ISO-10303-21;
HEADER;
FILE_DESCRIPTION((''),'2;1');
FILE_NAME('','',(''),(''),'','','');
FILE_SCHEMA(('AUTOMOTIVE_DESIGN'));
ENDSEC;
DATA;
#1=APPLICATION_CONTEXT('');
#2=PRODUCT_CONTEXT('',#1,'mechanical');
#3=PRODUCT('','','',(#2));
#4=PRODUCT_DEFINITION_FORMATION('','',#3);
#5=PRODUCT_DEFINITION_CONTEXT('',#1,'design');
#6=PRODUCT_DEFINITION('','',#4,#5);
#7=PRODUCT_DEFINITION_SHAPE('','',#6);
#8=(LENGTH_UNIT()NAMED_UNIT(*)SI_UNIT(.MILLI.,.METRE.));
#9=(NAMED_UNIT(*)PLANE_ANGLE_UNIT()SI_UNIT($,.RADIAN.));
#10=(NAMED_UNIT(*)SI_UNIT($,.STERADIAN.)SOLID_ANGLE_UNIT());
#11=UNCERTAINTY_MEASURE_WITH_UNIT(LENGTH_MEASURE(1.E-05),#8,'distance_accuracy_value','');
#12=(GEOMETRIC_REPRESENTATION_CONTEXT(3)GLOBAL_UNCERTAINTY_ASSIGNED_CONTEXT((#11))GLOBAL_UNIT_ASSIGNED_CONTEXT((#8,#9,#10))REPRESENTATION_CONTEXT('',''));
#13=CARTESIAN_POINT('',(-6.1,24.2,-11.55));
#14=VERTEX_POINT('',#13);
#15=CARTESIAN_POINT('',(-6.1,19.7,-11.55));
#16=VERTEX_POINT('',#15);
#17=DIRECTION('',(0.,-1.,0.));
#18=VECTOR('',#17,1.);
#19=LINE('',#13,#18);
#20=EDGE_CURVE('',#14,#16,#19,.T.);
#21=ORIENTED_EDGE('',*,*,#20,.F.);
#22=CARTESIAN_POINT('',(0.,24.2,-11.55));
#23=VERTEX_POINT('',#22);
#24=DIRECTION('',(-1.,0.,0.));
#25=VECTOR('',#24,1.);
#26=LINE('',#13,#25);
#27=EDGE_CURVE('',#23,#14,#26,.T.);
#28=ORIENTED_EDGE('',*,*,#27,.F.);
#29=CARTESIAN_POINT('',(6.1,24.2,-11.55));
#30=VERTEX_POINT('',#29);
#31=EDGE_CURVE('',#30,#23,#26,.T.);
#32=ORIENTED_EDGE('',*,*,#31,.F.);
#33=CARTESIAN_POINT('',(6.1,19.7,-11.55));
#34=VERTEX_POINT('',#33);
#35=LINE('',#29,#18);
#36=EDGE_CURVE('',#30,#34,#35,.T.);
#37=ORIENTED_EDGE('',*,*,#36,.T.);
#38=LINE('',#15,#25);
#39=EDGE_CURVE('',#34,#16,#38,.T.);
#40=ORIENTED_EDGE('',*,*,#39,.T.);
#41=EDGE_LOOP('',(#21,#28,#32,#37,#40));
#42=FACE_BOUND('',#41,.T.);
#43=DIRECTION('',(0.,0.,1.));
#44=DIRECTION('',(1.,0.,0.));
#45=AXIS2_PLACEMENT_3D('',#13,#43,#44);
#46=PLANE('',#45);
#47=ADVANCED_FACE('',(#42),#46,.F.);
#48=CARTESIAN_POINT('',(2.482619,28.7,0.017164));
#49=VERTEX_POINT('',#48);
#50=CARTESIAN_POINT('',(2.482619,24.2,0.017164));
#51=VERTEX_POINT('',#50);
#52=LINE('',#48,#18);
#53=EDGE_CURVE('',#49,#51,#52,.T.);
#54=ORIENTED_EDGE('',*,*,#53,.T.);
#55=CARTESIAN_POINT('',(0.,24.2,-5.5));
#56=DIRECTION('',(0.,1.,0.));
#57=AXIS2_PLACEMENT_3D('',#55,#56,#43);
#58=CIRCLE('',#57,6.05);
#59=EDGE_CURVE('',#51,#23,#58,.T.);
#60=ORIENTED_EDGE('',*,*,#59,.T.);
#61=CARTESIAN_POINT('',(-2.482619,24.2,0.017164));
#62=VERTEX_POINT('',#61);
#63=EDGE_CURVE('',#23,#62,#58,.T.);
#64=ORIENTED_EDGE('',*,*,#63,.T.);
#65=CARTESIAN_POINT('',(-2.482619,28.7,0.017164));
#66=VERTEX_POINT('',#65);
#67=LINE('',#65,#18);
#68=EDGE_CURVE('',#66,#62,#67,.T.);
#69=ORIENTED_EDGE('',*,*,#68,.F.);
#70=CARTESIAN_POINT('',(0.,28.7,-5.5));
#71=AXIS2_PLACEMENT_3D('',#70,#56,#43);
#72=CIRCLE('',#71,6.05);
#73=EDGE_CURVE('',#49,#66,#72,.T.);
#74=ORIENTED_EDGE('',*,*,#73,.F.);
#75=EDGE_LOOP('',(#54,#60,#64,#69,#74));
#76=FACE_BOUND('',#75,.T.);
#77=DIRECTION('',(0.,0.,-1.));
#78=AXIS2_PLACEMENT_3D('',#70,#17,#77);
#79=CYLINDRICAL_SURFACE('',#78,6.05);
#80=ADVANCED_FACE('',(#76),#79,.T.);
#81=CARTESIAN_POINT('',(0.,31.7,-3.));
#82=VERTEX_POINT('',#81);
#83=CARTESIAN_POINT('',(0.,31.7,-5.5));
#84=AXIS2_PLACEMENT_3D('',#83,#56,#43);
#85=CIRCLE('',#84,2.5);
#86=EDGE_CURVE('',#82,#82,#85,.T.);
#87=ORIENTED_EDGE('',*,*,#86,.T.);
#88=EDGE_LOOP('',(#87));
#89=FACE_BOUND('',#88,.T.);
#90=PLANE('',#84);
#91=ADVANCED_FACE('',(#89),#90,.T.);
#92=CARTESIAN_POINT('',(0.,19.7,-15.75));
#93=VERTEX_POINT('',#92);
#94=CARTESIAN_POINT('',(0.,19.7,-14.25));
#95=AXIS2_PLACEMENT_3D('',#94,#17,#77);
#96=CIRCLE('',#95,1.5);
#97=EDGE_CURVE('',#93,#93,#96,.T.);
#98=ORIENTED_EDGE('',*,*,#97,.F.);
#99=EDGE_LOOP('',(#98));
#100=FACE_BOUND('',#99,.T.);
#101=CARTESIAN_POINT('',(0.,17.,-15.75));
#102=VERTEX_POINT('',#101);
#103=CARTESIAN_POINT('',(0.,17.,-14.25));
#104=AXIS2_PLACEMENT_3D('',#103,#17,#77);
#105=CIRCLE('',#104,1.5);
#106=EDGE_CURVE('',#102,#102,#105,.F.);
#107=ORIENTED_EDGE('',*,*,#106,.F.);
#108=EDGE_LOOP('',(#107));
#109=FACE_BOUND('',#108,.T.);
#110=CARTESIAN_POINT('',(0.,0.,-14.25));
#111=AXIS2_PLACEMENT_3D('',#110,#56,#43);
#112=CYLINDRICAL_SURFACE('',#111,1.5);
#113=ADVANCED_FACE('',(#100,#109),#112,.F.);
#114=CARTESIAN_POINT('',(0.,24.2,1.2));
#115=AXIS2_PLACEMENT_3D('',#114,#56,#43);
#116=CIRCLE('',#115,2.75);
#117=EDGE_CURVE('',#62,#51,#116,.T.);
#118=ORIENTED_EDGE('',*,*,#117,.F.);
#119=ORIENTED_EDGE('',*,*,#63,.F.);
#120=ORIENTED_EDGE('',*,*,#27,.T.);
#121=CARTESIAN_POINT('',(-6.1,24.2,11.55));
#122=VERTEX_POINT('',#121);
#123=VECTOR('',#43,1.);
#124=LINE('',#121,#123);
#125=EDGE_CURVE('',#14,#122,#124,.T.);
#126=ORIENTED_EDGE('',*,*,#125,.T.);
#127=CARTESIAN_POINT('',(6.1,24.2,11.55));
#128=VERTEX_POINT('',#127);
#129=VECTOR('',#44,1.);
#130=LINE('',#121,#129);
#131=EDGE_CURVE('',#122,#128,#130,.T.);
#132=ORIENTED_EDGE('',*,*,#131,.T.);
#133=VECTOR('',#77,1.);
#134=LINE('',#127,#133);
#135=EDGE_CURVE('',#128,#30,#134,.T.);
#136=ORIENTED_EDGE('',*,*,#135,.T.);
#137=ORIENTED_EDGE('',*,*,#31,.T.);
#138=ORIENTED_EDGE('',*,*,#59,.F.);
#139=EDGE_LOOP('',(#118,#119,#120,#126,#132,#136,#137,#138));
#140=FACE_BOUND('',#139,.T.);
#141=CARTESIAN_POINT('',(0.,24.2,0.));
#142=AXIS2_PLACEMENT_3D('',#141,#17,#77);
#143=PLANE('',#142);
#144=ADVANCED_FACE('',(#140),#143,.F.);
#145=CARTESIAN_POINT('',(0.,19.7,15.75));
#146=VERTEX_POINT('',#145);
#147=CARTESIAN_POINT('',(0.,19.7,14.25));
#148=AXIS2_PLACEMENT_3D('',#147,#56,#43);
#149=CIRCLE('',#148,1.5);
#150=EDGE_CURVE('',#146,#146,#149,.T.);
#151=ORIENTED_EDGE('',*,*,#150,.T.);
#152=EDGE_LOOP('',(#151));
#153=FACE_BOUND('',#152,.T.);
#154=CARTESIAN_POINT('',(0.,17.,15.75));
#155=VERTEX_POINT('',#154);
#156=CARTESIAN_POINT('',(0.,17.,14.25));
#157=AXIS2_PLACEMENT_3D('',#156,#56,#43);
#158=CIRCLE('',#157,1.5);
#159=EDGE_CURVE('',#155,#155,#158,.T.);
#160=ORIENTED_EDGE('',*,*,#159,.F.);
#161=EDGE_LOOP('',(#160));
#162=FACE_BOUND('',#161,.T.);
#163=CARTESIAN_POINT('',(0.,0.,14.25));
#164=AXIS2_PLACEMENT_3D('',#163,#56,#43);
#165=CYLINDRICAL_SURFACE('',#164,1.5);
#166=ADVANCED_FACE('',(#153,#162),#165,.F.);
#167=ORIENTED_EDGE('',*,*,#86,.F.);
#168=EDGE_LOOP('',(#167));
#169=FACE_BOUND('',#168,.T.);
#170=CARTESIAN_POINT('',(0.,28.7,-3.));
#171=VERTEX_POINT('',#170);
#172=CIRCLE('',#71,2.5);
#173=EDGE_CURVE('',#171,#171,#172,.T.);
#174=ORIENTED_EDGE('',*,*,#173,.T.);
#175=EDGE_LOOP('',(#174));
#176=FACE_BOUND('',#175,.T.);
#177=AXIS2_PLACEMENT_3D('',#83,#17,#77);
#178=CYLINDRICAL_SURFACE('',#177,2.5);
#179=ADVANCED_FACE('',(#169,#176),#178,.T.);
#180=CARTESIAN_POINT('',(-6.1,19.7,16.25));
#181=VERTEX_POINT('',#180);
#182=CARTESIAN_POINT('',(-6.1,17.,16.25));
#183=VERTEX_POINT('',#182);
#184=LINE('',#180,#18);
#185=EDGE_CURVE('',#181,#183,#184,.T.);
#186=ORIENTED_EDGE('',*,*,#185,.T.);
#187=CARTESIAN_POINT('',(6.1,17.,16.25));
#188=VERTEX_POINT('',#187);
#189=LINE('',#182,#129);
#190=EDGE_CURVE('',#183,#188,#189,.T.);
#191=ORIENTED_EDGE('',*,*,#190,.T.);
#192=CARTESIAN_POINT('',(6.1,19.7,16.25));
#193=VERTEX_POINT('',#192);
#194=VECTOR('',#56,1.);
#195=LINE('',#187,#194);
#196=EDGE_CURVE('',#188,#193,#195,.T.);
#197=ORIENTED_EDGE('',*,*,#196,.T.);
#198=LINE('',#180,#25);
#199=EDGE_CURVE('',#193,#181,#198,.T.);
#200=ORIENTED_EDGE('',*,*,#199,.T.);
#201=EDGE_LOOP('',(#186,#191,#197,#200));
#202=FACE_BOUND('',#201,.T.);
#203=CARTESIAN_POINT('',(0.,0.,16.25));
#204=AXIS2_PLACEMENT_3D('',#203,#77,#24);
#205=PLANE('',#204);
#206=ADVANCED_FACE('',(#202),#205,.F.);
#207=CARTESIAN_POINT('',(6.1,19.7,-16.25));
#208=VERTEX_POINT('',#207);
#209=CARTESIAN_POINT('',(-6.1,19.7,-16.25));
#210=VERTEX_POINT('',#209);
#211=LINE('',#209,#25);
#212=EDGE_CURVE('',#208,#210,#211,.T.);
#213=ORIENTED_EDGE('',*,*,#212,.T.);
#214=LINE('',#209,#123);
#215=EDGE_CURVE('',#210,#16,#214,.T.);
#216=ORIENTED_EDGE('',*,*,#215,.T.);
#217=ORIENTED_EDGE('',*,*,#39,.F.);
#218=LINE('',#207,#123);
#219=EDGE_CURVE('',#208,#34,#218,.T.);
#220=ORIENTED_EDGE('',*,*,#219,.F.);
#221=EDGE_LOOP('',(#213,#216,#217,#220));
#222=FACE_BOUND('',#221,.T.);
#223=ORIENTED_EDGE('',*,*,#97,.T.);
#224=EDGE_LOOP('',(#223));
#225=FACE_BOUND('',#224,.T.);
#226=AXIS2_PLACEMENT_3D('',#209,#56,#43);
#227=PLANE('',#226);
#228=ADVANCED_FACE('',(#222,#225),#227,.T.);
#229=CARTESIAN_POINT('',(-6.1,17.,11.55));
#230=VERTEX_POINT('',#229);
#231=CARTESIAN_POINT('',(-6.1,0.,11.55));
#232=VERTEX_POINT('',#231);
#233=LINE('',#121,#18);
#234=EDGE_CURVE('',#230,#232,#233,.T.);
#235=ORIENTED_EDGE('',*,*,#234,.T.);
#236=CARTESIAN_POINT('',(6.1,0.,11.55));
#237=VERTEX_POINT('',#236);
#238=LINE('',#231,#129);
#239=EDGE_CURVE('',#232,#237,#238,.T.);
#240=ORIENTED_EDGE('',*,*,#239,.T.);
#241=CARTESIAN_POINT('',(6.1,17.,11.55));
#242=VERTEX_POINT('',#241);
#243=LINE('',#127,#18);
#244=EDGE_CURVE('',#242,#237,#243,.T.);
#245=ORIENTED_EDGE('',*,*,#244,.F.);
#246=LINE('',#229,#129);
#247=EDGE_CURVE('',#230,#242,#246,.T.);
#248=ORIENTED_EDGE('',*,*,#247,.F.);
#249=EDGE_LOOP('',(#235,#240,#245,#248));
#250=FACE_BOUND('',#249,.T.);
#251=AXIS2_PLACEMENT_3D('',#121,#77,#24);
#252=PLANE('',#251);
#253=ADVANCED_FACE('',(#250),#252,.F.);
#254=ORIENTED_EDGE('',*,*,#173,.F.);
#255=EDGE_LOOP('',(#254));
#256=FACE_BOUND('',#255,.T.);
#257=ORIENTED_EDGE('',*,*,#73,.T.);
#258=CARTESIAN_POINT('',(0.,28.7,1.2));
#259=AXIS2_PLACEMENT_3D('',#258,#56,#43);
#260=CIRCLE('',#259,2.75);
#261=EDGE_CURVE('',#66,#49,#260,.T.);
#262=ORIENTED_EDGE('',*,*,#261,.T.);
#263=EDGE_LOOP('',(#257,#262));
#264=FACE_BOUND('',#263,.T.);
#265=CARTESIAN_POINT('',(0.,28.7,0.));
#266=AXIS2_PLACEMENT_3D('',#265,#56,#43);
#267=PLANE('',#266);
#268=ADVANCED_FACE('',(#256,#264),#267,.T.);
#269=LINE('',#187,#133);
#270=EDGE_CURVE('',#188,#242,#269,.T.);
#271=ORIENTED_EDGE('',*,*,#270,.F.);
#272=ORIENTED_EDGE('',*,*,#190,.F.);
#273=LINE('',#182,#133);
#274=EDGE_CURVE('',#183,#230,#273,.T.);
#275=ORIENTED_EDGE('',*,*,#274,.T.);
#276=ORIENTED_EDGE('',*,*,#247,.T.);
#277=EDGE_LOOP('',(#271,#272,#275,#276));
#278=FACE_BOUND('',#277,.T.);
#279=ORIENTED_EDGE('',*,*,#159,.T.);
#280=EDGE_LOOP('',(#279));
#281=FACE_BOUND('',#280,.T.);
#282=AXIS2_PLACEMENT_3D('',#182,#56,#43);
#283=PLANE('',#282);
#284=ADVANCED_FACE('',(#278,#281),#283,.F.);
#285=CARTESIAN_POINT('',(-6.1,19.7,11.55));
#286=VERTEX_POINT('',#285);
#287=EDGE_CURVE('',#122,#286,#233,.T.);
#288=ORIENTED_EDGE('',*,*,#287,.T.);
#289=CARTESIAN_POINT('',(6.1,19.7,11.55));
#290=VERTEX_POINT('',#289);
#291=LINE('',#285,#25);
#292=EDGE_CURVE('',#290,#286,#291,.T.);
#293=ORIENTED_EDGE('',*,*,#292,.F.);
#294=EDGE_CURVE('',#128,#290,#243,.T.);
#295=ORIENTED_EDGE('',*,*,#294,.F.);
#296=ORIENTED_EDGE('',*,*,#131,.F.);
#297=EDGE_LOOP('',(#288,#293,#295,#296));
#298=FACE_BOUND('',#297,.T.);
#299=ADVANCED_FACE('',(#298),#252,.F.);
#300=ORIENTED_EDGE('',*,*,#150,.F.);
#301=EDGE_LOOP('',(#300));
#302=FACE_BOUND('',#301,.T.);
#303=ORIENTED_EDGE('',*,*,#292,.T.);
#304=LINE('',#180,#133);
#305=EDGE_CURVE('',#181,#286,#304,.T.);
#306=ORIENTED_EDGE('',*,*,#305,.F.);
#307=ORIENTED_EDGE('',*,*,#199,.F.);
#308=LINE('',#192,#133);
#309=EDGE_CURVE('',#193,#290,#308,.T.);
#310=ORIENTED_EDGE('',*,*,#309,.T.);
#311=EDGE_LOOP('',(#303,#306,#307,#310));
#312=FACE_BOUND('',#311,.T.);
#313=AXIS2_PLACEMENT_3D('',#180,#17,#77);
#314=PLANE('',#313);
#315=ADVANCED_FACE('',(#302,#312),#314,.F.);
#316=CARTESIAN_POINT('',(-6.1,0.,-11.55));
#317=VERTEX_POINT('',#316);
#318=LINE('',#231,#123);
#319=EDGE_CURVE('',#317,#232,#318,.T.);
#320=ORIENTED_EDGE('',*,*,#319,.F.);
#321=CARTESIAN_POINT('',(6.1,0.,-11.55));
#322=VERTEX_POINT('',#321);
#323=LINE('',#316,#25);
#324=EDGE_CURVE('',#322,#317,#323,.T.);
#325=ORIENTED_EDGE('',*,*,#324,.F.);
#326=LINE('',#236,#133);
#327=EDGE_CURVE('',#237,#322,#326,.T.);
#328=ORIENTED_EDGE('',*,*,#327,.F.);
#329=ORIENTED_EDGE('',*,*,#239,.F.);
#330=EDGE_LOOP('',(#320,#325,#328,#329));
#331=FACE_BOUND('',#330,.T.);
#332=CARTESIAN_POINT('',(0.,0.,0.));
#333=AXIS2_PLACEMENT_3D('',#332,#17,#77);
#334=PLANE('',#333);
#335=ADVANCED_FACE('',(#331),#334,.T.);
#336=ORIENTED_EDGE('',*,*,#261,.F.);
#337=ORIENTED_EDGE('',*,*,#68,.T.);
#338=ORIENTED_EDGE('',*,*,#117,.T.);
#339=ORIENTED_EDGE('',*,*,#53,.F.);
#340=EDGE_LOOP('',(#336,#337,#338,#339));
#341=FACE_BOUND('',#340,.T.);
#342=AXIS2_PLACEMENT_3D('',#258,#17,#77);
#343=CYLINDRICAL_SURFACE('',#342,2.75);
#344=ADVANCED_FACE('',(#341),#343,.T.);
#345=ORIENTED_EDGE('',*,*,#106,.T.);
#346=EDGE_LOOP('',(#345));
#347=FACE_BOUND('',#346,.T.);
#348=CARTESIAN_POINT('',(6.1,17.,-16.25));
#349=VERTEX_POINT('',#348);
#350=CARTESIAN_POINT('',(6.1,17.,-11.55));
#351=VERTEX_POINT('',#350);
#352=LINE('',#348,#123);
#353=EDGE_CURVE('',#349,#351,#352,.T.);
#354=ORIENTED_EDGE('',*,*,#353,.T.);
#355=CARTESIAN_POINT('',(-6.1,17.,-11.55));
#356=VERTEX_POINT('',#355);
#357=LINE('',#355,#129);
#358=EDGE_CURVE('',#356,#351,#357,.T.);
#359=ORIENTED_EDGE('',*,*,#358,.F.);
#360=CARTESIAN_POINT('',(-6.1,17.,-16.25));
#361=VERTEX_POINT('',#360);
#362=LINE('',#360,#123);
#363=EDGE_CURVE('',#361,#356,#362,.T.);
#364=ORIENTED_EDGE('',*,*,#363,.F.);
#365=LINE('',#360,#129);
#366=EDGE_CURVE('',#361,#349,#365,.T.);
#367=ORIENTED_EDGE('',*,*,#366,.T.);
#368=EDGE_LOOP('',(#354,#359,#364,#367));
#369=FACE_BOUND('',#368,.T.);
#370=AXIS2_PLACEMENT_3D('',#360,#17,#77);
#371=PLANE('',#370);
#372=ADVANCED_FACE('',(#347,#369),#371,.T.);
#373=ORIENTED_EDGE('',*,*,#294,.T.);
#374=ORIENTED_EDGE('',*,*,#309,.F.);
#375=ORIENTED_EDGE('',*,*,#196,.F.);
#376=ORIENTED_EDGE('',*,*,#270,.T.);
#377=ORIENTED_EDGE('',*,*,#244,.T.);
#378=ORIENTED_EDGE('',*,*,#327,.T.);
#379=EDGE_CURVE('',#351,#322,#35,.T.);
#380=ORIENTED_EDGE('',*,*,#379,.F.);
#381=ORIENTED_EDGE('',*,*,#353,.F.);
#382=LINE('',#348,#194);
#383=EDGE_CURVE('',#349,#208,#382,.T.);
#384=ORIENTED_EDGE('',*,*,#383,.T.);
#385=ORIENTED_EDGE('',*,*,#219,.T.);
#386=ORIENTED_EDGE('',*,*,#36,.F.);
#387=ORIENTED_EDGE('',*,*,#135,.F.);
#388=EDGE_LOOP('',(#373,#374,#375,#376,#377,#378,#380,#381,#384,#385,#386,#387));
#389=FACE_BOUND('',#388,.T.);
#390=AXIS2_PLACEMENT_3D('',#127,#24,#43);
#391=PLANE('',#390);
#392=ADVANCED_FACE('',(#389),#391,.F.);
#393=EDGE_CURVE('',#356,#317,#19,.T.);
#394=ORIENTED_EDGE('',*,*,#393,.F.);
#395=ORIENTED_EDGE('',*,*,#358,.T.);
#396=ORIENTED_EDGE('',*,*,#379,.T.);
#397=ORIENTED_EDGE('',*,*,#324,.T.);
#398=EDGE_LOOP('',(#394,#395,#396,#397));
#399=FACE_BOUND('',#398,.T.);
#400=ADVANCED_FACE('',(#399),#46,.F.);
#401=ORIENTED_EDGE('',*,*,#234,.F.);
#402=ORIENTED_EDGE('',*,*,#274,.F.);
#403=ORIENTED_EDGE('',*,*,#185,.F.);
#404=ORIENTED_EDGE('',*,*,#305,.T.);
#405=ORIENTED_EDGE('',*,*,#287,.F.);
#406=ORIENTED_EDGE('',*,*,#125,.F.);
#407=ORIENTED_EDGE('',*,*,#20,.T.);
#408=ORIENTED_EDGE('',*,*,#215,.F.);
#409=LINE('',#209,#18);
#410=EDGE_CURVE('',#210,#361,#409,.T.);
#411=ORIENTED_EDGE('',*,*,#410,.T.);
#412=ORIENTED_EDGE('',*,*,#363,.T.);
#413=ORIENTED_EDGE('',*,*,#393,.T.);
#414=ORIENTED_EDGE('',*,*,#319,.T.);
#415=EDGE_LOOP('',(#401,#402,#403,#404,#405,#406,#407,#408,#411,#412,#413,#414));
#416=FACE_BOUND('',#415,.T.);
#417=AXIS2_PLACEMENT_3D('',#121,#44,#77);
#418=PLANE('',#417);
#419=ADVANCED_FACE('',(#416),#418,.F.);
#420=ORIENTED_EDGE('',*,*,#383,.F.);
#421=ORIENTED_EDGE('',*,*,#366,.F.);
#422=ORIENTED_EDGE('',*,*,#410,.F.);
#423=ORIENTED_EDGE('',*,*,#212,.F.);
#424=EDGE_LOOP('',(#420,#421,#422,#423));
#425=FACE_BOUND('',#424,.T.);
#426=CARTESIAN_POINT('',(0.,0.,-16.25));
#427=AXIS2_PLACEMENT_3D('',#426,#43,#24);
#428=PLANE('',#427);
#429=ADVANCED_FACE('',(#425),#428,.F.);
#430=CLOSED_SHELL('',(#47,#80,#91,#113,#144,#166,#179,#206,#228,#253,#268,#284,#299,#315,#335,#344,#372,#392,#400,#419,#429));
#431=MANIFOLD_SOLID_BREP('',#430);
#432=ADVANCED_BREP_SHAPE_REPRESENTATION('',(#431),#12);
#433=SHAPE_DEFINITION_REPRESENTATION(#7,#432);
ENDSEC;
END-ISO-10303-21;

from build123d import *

# Parameters (mm, degrees)
SKETCH1_W           = 12.2
SKETCH1_H           = 23.1
BOSS_EXTRUDE3_DEPTH = 24.2
SKETCH5_W           = 12.2
SKETCH5_H           = 2.7
BOSS_EXTRUDE4_DEPTH = 4.7
CUT_EXTRUDE4_START  = -20.7
SKETCH6_R           = 1.5
CUT_EXTRUDE4_DEPTH  = 26.2
SKETCH7_R           = 2.75
SKETCH7_R_2         = 6.05
BOSS_EXTRUDE5_DEPTH = 4.5
SKETCH8_R           = 2.5
BOSS_EXTRUDE6_DEPTH = 3


with BuildPart() as part:
    # Sketch1 → Boss-Extrude3 (new body)
    with BuildSketch(Plane(origin=(0, 0, 0), x_dir=(1, 0, 0), z_dir=(0, 1, 0))):
        Rectangle(SKETCH1_W, SKETCH1_H)
    extrude(amount=BOSS_EXTRUDE3_DEPTH)

    # Sketch5 → Boss-Extrude4 (add)
    with BuildSketch(Plane.XY.offset(11.55)):
        with Locations((0, 18.35)):
            Rectangle(SKETCH5_W, SKETCH5_H)
    boss_extrude4 = extrude(amount=BOSS_EXTRUDE4_DEPTH)

    # Sketch6 → Cut-Extrude4 (cut)
    with BuildSketch(Plane(origin=(0, 19.7, 0), x_dir=(1, 0, 0), z_dir=(0, 1, 0)).offset(CUT_EXTRUDE4_START)):
        with Locations((0, -14.25)):
            Circle(SKETCH6_R)
    cut_extrude4 = extrude(amount=CUT_EXTRUDE4_DEPTH, mode=Mode.SUBTRACT)

    # Mirror3: Boss-Extrude4, Cut-Extrude4 across plane
    add(boss_extrude4.mirror(Plane.XY))
    add(cut_extrude4.mirror(Plane.XY), mode=Mode.SUBTRACT)

    # Sketch7 → Boss-Extrude5 (add)
    with BuildSketch(Plane(origin=(0, 24.2, 0), x_dir=(1, 0, 0), z_dir=(0, 1, 0))):
        with Locations((0, -1.2)):
            Circle(SKETCH7_R)
        with Locations((0, 5.5)):
            Circle(SKETCH7_R_2)
    extrude(amount=BOSS_EXTRUDE5_DEPTH)

    # Sketch8 → Boss-Extrude6 (add)
    with BuildSketch(Plane(origin=(0, 28.7, 0), x_dir=(1, 0, 0), z_dir=(0, 1, 0))):
        with Locations((0, 5.5)):
            Circle(SKETCH8_R)
    extrude(amount=BOSS_EXTRUDE6_DEPTH)


solid = part.part
